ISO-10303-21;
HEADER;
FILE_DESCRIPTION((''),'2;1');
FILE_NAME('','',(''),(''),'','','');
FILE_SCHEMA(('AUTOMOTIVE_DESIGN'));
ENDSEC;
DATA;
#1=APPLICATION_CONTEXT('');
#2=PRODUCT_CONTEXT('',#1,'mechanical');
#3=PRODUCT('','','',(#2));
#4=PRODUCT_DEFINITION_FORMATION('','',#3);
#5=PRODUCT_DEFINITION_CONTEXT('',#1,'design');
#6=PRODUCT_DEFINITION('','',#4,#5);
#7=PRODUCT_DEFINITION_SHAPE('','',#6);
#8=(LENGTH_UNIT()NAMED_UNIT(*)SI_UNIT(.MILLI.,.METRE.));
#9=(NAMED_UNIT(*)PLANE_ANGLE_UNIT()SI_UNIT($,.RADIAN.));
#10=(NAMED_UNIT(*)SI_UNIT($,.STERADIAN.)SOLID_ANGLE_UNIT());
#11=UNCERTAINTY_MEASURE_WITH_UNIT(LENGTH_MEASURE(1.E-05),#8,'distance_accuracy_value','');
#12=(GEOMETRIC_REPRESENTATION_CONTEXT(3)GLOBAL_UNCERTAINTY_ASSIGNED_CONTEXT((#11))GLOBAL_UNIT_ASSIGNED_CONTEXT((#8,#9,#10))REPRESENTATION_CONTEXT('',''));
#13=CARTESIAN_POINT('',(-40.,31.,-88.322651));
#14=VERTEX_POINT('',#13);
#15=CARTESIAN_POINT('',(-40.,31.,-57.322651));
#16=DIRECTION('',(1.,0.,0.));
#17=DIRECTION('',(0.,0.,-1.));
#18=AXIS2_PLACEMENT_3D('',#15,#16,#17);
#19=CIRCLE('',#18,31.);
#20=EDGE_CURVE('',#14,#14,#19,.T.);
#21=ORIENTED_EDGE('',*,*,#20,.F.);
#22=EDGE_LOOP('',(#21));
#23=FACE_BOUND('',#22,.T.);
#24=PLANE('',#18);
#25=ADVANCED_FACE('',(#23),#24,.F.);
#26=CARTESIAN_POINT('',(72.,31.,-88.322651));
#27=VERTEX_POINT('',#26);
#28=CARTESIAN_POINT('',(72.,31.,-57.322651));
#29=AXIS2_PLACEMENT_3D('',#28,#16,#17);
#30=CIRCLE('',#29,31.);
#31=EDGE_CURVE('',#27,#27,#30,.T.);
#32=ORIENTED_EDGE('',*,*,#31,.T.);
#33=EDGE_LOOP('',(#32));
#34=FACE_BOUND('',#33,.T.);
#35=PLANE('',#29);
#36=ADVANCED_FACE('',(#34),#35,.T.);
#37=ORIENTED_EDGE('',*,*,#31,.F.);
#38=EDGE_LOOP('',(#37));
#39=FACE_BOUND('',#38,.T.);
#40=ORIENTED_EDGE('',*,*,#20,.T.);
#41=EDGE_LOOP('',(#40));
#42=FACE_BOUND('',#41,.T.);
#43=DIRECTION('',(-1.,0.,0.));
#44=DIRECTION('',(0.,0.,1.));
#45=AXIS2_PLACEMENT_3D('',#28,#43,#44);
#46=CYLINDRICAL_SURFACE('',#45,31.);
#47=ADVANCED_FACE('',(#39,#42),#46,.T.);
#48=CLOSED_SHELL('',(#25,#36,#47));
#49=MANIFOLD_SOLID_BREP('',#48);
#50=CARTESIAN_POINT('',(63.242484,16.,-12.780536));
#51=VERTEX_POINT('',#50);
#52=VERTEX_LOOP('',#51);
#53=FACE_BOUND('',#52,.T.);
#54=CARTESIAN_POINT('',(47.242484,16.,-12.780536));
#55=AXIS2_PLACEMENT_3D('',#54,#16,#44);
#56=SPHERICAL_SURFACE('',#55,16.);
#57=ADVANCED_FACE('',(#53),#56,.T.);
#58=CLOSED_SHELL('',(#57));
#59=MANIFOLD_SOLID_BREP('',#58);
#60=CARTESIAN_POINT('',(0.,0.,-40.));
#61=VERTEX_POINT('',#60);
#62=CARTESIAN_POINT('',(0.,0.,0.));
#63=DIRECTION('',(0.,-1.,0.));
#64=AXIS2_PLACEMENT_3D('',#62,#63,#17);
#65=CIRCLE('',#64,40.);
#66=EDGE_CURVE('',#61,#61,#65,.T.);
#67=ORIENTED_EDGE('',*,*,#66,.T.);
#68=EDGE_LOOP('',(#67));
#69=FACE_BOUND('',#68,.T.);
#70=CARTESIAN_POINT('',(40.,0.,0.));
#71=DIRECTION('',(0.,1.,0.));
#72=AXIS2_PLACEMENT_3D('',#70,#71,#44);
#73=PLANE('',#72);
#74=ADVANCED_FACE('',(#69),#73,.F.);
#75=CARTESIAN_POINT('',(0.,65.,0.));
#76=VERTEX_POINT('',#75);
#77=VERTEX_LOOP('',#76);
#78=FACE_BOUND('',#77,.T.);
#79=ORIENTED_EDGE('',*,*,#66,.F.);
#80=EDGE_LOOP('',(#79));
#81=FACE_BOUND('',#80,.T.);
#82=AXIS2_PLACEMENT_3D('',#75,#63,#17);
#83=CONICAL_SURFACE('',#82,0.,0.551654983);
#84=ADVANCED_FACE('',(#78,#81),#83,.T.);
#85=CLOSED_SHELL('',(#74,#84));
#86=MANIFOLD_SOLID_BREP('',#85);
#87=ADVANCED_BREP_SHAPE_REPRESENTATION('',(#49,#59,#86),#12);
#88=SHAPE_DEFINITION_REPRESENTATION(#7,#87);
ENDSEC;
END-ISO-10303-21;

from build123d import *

# Parameters (mm, degrees)
SKETCH2_R           = 31
EXTRUDE1_DEPTH      = 72
EXTRUDE1_DEPTH_BACK = 40


with BuildPart() as part:
    # Sketch1 → Revolve1 (revolve)
    with BuildSketch(Plane.XY, mode=Mode.PRIVATE) as revolve1_sk:
        Polygon((40, 0), (0, 0), (0, 65), align=None)
    revolve(revolve1_sk.sketch.rotate(Axis((0, 0, 0), (0, 1, 0)), 90), axis=Axis((0, 0, 0), (0, 1, 0)))  # turned: the seam where the file's is


with BuildPart() as body_2:
    # Sketch2 → Extrude1 (new body, two sides)
    with BuildSketch(Plane(origin=(0, 0, 0), x_dir=(0, 0, -1), z_dir=(1, 0, 0))) as extrude1_sk:
        with Locations((57.322651015, 31)):
            Circle(SKETCH2_R)
    extrude(amount=EXTRUDE1_DEPTH)
    extrude(extrude1_sk.sketch, amount=-EXTRUDE1_DEPTH_BACK)


with BuildPart() as body_3:
    # Sketch6 → Revolve2 (revolve)
    with BuildSketch(Plane(origin=(0, 16, 0), x_dir=(-1, 0, 0), z_dir=(0, 1, 0))):
        with BuildLine():
            Line((-63.24248379, -12.780536112), (-31.24248379, -12.780536112))
            ThreePointArc((-31.24248379, -12.780536112), (-47.24248379, -28.780536112), (-63.24248379, -12.780536112))
        make_face()
    revolve(axis=Axis((63.24248379, 16, -12.780536112), (-1, 0, 0)))


solid = Compound([part.part, body_2.part, body_3.part])
